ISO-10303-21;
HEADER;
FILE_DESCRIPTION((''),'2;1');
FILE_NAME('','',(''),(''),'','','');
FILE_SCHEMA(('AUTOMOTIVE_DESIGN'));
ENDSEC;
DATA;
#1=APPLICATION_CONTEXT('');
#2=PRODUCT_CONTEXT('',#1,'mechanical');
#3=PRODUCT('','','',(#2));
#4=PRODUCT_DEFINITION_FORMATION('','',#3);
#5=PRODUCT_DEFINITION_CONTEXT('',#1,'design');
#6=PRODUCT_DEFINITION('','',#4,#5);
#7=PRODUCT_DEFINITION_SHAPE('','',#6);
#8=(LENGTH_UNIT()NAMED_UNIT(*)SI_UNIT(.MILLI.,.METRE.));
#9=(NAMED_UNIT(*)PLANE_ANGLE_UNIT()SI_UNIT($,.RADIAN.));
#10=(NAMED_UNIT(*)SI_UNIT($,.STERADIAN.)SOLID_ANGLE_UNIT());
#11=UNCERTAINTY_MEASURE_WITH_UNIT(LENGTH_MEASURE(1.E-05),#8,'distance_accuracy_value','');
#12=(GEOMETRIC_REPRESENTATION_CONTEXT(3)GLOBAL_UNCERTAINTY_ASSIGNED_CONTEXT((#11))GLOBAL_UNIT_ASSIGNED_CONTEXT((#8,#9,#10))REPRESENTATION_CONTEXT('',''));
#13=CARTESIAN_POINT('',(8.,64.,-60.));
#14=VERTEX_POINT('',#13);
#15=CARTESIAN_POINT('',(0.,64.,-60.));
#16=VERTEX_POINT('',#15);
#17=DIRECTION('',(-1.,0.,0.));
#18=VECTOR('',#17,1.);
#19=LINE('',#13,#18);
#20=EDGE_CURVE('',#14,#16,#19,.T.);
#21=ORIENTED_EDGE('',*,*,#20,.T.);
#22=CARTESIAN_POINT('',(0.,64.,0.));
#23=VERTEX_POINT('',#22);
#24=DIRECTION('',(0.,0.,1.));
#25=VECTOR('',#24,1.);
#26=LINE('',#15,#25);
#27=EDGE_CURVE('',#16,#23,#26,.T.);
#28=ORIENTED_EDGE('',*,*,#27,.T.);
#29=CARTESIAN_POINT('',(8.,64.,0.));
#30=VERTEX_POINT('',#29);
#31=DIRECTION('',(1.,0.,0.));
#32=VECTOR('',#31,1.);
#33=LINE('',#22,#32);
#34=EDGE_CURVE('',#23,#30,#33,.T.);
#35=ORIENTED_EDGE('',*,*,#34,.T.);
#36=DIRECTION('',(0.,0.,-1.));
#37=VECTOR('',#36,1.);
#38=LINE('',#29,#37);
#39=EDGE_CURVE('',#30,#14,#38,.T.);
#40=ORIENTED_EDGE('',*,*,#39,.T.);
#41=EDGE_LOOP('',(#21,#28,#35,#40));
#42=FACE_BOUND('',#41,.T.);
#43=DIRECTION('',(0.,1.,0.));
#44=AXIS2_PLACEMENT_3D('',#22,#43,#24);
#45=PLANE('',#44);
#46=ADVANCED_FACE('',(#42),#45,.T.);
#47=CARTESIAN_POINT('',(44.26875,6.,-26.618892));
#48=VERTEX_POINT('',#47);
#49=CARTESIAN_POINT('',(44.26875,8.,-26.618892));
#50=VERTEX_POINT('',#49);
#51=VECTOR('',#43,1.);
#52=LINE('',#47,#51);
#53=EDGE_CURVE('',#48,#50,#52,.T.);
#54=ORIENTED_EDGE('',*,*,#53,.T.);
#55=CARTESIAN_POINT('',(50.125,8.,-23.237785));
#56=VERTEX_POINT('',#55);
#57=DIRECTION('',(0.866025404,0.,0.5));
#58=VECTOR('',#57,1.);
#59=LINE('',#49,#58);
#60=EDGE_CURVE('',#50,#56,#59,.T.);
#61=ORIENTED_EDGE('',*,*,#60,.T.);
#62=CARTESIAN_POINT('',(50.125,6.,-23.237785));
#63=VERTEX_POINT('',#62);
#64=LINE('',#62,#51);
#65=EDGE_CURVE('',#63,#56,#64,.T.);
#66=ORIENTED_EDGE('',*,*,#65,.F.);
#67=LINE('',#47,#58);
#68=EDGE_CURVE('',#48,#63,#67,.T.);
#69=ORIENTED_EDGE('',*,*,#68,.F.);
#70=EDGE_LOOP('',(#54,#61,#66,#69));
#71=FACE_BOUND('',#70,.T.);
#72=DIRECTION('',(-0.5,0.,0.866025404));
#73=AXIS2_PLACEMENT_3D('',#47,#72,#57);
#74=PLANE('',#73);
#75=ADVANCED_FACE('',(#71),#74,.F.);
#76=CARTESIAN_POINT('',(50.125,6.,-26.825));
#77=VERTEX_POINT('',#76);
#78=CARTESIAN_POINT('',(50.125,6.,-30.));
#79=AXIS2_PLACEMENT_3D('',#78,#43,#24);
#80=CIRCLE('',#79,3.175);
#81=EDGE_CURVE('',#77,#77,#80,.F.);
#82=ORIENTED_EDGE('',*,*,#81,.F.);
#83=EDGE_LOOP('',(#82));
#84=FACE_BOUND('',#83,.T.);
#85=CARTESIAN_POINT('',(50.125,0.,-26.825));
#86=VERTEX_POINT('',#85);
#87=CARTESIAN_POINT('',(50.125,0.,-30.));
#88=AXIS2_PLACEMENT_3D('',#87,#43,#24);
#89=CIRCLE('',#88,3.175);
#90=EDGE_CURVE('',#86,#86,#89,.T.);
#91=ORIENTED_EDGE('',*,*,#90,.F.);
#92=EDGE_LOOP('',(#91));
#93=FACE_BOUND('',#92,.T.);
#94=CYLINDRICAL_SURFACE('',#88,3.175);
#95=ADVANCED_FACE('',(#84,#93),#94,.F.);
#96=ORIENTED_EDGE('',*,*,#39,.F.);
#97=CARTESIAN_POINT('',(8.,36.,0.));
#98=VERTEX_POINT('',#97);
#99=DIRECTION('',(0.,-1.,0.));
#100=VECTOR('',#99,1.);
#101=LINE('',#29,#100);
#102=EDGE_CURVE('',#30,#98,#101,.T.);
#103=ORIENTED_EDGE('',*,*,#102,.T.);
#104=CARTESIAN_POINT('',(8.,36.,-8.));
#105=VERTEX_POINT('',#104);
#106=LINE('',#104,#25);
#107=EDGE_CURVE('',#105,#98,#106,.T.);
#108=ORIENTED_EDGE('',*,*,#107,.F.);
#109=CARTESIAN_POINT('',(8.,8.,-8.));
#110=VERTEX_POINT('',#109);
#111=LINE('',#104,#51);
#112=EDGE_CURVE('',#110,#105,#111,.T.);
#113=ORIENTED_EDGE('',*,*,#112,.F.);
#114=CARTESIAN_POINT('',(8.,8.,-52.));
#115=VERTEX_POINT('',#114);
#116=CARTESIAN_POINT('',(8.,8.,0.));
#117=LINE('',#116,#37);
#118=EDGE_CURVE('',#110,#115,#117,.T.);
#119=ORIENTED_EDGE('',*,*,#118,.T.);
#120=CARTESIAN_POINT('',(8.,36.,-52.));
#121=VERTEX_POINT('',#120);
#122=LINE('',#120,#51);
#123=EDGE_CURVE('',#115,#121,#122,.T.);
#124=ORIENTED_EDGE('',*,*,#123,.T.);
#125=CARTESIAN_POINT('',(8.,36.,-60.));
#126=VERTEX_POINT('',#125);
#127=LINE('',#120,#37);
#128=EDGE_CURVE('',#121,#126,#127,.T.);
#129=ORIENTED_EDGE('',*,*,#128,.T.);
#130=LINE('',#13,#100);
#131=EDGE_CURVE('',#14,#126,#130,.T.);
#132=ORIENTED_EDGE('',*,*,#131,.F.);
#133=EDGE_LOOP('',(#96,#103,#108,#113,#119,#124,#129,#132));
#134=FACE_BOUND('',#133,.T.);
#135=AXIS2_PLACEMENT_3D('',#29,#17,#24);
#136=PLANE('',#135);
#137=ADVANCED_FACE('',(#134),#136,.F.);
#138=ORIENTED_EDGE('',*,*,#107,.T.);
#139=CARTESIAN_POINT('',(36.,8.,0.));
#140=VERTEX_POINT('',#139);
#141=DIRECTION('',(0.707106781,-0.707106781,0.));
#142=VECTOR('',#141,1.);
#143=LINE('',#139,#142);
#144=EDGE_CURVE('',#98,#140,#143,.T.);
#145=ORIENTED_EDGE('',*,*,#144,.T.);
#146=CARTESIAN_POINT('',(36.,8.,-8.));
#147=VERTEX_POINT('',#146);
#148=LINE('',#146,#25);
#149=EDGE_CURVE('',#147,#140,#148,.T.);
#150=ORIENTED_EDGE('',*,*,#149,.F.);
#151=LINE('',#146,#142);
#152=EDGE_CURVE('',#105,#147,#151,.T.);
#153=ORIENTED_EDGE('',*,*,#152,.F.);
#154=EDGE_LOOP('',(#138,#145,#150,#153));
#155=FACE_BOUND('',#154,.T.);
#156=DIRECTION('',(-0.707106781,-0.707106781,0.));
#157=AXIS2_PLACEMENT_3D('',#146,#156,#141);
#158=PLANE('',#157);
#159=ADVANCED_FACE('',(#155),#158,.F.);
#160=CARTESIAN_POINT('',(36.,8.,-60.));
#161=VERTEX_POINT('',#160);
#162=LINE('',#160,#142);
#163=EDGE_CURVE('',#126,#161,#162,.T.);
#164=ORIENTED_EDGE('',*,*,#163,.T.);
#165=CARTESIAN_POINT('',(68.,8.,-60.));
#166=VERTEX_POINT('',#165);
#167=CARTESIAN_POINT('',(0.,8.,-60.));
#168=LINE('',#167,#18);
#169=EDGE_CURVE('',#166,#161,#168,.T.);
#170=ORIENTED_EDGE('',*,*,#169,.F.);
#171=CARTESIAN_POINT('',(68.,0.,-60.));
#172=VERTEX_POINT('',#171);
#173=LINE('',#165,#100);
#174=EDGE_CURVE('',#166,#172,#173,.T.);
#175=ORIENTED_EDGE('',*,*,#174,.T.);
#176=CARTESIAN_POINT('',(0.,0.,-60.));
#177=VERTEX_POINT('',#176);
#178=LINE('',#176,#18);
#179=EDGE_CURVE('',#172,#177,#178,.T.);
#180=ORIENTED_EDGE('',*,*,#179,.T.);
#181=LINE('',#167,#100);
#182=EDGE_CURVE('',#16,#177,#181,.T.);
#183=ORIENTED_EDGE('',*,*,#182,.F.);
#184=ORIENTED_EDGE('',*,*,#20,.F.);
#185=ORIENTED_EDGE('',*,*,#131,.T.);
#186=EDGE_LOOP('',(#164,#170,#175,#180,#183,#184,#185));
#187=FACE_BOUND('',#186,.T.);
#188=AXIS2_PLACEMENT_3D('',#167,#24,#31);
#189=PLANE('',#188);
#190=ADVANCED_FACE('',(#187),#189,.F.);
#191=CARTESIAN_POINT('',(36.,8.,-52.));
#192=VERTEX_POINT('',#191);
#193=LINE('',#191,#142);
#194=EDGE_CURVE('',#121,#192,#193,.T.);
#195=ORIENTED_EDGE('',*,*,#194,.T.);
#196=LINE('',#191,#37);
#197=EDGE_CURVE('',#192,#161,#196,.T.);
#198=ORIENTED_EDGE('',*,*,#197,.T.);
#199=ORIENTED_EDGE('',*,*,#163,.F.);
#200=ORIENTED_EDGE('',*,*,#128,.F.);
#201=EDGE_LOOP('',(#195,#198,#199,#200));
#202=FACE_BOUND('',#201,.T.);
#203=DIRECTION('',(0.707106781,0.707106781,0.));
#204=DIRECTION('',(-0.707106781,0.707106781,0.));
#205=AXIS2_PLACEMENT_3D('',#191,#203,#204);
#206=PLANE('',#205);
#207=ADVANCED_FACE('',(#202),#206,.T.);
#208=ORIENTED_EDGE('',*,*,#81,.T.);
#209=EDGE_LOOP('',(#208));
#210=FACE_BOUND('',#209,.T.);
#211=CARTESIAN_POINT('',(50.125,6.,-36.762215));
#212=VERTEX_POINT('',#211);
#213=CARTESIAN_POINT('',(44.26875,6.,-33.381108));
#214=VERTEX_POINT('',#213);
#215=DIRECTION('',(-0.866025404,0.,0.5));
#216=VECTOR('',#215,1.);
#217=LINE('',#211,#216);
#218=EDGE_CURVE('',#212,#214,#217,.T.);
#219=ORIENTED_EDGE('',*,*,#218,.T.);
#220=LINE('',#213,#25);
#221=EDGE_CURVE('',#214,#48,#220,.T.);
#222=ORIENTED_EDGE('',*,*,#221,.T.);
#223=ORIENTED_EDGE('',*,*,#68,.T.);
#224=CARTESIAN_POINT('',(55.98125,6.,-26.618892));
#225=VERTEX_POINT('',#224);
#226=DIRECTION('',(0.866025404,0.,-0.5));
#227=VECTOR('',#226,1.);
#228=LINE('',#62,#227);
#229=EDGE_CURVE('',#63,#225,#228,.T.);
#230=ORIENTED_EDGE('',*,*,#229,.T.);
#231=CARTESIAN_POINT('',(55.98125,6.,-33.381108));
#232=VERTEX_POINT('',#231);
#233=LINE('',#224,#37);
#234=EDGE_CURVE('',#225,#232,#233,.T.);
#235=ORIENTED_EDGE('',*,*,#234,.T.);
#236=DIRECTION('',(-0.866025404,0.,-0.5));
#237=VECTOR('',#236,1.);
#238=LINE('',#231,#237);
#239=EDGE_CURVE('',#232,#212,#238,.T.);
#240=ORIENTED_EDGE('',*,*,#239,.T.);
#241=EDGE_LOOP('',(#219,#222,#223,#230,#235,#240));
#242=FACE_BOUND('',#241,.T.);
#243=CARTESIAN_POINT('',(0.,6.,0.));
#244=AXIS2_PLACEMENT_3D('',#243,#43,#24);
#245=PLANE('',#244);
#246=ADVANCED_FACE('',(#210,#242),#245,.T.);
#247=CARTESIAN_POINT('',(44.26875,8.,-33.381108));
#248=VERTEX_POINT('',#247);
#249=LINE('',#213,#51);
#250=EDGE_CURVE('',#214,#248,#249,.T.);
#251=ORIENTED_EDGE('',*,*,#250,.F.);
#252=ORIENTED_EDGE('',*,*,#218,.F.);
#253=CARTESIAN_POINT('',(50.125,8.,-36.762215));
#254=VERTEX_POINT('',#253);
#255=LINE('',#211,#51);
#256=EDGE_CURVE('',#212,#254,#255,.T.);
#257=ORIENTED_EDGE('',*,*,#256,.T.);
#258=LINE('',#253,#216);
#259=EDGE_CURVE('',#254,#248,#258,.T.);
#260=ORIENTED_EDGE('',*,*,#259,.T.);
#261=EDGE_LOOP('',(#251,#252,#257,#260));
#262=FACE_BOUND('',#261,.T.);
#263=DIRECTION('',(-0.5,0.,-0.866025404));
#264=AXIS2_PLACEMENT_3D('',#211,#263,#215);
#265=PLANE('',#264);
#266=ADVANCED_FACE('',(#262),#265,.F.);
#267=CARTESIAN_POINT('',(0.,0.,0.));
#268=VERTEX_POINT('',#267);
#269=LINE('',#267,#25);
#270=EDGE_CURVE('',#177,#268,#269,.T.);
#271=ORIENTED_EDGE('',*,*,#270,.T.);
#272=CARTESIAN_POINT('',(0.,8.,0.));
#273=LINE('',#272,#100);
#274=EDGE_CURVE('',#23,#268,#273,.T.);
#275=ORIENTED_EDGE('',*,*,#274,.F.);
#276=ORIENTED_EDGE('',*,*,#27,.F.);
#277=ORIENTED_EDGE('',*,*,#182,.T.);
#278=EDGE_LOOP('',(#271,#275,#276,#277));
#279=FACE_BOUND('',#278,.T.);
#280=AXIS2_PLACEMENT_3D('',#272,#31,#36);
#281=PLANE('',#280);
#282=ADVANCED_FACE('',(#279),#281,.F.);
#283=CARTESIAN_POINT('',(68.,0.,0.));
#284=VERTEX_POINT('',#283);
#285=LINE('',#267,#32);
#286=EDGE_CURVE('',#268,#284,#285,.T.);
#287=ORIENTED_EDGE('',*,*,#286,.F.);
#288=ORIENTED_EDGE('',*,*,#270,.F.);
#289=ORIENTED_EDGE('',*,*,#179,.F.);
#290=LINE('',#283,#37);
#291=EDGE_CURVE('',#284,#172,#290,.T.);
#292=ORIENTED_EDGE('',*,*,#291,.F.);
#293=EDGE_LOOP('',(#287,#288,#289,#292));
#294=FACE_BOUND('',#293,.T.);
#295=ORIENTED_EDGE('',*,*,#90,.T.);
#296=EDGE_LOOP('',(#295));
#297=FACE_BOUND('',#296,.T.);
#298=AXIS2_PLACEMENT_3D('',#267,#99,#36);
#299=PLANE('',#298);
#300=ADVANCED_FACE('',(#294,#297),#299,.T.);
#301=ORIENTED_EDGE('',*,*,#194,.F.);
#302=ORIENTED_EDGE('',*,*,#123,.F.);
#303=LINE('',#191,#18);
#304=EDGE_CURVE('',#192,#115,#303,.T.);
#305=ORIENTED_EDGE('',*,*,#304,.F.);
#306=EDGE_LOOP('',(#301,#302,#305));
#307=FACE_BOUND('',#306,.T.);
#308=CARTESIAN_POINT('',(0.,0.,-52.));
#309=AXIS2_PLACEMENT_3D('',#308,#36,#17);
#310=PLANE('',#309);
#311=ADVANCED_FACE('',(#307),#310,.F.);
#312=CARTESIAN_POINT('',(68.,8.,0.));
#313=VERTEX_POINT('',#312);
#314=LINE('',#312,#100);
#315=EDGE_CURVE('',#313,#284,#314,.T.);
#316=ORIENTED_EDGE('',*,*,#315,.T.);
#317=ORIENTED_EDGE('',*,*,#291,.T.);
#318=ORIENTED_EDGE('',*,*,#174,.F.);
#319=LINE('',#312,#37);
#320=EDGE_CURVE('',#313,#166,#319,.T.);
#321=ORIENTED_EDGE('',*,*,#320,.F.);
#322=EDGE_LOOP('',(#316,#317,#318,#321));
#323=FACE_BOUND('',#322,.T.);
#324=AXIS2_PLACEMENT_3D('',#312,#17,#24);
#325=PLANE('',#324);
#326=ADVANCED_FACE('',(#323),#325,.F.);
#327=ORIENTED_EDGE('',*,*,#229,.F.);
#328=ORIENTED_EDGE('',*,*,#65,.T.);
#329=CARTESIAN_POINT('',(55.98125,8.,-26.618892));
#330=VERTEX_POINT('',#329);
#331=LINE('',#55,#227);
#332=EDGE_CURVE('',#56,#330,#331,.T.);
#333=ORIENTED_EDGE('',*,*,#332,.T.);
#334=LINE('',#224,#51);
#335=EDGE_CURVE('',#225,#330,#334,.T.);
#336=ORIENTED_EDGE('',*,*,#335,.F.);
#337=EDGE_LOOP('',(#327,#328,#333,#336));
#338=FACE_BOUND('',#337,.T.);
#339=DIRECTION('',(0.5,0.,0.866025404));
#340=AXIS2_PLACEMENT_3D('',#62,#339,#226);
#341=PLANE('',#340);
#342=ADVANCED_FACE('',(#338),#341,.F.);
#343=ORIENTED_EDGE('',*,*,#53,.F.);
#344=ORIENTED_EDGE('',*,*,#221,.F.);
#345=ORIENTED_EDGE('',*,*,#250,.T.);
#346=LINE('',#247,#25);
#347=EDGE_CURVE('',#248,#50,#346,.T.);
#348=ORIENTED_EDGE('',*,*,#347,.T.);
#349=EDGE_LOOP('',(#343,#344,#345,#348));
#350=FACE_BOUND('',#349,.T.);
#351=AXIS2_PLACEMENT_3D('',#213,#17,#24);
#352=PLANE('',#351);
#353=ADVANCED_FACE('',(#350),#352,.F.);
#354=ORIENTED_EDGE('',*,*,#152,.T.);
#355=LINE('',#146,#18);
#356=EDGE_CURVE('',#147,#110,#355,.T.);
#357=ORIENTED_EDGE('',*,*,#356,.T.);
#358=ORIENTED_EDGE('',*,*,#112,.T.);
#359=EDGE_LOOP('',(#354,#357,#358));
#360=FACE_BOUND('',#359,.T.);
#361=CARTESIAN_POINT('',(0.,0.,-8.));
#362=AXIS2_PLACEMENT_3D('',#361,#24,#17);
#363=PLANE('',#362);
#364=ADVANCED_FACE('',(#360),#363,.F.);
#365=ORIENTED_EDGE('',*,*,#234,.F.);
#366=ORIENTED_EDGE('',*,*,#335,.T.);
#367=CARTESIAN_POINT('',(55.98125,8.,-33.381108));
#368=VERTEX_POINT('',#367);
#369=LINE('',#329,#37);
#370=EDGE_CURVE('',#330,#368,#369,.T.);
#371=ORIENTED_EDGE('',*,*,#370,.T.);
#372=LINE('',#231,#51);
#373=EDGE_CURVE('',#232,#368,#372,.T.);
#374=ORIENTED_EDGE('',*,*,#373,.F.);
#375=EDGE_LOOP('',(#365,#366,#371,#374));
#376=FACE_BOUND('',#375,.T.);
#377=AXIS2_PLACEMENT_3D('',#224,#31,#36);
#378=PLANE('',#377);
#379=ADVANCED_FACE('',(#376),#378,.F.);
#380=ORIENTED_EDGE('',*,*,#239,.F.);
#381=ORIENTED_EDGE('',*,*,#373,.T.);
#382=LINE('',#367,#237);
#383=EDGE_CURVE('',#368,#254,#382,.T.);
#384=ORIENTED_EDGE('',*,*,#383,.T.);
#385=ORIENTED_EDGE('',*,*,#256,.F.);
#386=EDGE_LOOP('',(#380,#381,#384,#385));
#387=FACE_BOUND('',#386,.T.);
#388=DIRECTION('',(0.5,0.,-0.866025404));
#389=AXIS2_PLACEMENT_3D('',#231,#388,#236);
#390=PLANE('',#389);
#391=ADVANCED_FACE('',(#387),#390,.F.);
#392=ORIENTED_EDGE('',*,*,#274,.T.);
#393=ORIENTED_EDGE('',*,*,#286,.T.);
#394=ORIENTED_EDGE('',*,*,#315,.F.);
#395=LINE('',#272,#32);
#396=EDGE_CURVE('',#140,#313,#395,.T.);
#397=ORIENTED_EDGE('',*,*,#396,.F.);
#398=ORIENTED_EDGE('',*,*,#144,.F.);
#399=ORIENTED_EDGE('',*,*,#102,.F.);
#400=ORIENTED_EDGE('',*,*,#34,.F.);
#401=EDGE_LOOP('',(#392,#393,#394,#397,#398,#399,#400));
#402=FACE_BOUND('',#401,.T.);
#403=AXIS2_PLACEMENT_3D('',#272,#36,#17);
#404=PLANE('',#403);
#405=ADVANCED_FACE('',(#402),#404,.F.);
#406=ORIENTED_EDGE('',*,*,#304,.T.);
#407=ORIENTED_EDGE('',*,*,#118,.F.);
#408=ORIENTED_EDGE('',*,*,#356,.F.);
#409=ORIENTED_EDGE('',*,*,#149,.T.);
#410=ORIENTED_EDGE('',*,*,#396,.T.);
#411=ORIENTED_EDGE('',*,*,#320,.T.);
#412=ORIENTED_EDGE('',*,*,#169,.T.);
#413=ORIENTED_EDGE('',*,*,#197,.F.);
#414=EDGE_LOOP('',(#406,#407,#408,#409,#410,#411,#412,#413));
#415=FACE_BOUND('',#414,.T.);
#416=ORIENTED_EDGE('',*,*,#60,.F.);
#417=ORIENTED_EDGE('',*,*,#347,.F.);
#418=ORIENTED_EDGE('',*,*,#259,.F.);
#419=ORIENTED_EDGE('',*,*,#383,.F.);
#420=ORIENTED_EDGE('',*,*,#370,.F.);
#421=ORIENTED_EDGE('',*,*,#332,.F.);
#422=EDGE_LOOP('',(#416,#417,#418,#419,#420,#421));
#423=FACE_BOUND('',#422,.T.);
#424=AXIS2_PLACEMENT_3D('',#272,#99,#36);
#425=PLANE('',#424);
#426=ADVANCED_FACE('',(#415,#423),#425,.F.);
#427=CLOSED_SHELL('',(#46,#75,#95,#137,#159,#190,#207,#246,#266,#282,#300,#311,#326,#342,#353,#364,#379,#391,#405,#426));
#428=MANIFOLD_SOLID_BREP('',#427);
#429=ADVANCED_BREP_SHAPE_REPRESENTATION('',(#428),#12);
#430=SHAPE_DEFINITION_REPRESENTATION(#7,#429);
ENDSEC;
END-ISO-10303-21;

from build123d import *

# Parameters (mm, degrees)
SKETCH1_W           = 68
SKETCH1_H           = 60
BOSS_EXTRUDE1_DEPTH = 8
SKETCH4_W           = 8
SKETCH4_H           = 60
BOSS_EXTRUDE2_DEPTH = 56
SKETCH5_R           = 3.175
CUT_EXTRUDE1_DEPTH  = 8
CUT_EXTRUDE2_DEPTH  = 2
BOSS_EXTRUDE3_DEPTH = 8


with BuildPart() as part:
    # Sketch1 → Boss-Extrude1 (new body)
    with BuildSketch(Plane(origin=(0, 0, 0), x_dir=(1, 0, 0), z_dir=(0, 1, 0))):
        with Locations((34, 30)):
            Rectangle(SKETCH1_W, SKETCH1_H)
    extrude(amount=BOSS_EXTRUDE1_DEPTH)

    # Sketch4 → Boss-Extrude2 (add)
    with BuildSketch(Plane(origin=(0, 8, 0), x_dir=(1, 0, 0), z_dir=(0, 1, 0))):
        with Locations((4, 30)):
            Rectangle(SKETCH4_W, SKETCH4_H)
    extrude(amount=BOSS_EXTRUDE2_DEPTH)

    # Sketch5 → Cut-Extrude1 (cut)
    with BuildSketch(Plane(origin=(0, 8, 0), x_dir=(1, 0, 0), z_dir=(0, 1, 0))):
        with Locations(Location((50.125, 30, 0), (0, 0, 270))):
            Circle(SKETCH5_R)
    extrude(amount=-CUT_EXTRUDE1_DEPTH, mode=Mode.SUBTRACT)

    # Sketch7 → Cut-Extrude2 (cut)
    with BuildSketch(Plane(origin=(0, 8, 0), x_dir=(1, 0, 0), z_dir=(0, 1, 0))):
        Polygon((44.26875, 26.618892486), (50.125, 23.237784972), (55.98125, 26.618892486), (55.98125, 33.381107514), (50.125, 36.762215028), (44.26875, 33.381107514), align=None)
    extrude(amount=-CUT_EXTRUDE2_DEPTH, mode=Mode.SUBTRACT)

    # Sketch8 → Boss-Extrude3 (add)
    with BuildSketch(Plane(origin=(0, 0, -60), x_dir=(-1, 0, 0), z_dir=(0, 0, -1))):
        Polygon((-36, 8), (-8, 8), (-8, 36), align=None)
    boss_extrude3 = extrude(amount=-BOSS_EXTRUDE3_DEPTH)

    # Mirror1: Boss-Extrude3 across plane
    add(boss_extrude3.mirror(Plane(origin=(0, 0, -30), x_dir=(1, 0, 0), z_dir=(0, 0, -1))))


solid = part.part
